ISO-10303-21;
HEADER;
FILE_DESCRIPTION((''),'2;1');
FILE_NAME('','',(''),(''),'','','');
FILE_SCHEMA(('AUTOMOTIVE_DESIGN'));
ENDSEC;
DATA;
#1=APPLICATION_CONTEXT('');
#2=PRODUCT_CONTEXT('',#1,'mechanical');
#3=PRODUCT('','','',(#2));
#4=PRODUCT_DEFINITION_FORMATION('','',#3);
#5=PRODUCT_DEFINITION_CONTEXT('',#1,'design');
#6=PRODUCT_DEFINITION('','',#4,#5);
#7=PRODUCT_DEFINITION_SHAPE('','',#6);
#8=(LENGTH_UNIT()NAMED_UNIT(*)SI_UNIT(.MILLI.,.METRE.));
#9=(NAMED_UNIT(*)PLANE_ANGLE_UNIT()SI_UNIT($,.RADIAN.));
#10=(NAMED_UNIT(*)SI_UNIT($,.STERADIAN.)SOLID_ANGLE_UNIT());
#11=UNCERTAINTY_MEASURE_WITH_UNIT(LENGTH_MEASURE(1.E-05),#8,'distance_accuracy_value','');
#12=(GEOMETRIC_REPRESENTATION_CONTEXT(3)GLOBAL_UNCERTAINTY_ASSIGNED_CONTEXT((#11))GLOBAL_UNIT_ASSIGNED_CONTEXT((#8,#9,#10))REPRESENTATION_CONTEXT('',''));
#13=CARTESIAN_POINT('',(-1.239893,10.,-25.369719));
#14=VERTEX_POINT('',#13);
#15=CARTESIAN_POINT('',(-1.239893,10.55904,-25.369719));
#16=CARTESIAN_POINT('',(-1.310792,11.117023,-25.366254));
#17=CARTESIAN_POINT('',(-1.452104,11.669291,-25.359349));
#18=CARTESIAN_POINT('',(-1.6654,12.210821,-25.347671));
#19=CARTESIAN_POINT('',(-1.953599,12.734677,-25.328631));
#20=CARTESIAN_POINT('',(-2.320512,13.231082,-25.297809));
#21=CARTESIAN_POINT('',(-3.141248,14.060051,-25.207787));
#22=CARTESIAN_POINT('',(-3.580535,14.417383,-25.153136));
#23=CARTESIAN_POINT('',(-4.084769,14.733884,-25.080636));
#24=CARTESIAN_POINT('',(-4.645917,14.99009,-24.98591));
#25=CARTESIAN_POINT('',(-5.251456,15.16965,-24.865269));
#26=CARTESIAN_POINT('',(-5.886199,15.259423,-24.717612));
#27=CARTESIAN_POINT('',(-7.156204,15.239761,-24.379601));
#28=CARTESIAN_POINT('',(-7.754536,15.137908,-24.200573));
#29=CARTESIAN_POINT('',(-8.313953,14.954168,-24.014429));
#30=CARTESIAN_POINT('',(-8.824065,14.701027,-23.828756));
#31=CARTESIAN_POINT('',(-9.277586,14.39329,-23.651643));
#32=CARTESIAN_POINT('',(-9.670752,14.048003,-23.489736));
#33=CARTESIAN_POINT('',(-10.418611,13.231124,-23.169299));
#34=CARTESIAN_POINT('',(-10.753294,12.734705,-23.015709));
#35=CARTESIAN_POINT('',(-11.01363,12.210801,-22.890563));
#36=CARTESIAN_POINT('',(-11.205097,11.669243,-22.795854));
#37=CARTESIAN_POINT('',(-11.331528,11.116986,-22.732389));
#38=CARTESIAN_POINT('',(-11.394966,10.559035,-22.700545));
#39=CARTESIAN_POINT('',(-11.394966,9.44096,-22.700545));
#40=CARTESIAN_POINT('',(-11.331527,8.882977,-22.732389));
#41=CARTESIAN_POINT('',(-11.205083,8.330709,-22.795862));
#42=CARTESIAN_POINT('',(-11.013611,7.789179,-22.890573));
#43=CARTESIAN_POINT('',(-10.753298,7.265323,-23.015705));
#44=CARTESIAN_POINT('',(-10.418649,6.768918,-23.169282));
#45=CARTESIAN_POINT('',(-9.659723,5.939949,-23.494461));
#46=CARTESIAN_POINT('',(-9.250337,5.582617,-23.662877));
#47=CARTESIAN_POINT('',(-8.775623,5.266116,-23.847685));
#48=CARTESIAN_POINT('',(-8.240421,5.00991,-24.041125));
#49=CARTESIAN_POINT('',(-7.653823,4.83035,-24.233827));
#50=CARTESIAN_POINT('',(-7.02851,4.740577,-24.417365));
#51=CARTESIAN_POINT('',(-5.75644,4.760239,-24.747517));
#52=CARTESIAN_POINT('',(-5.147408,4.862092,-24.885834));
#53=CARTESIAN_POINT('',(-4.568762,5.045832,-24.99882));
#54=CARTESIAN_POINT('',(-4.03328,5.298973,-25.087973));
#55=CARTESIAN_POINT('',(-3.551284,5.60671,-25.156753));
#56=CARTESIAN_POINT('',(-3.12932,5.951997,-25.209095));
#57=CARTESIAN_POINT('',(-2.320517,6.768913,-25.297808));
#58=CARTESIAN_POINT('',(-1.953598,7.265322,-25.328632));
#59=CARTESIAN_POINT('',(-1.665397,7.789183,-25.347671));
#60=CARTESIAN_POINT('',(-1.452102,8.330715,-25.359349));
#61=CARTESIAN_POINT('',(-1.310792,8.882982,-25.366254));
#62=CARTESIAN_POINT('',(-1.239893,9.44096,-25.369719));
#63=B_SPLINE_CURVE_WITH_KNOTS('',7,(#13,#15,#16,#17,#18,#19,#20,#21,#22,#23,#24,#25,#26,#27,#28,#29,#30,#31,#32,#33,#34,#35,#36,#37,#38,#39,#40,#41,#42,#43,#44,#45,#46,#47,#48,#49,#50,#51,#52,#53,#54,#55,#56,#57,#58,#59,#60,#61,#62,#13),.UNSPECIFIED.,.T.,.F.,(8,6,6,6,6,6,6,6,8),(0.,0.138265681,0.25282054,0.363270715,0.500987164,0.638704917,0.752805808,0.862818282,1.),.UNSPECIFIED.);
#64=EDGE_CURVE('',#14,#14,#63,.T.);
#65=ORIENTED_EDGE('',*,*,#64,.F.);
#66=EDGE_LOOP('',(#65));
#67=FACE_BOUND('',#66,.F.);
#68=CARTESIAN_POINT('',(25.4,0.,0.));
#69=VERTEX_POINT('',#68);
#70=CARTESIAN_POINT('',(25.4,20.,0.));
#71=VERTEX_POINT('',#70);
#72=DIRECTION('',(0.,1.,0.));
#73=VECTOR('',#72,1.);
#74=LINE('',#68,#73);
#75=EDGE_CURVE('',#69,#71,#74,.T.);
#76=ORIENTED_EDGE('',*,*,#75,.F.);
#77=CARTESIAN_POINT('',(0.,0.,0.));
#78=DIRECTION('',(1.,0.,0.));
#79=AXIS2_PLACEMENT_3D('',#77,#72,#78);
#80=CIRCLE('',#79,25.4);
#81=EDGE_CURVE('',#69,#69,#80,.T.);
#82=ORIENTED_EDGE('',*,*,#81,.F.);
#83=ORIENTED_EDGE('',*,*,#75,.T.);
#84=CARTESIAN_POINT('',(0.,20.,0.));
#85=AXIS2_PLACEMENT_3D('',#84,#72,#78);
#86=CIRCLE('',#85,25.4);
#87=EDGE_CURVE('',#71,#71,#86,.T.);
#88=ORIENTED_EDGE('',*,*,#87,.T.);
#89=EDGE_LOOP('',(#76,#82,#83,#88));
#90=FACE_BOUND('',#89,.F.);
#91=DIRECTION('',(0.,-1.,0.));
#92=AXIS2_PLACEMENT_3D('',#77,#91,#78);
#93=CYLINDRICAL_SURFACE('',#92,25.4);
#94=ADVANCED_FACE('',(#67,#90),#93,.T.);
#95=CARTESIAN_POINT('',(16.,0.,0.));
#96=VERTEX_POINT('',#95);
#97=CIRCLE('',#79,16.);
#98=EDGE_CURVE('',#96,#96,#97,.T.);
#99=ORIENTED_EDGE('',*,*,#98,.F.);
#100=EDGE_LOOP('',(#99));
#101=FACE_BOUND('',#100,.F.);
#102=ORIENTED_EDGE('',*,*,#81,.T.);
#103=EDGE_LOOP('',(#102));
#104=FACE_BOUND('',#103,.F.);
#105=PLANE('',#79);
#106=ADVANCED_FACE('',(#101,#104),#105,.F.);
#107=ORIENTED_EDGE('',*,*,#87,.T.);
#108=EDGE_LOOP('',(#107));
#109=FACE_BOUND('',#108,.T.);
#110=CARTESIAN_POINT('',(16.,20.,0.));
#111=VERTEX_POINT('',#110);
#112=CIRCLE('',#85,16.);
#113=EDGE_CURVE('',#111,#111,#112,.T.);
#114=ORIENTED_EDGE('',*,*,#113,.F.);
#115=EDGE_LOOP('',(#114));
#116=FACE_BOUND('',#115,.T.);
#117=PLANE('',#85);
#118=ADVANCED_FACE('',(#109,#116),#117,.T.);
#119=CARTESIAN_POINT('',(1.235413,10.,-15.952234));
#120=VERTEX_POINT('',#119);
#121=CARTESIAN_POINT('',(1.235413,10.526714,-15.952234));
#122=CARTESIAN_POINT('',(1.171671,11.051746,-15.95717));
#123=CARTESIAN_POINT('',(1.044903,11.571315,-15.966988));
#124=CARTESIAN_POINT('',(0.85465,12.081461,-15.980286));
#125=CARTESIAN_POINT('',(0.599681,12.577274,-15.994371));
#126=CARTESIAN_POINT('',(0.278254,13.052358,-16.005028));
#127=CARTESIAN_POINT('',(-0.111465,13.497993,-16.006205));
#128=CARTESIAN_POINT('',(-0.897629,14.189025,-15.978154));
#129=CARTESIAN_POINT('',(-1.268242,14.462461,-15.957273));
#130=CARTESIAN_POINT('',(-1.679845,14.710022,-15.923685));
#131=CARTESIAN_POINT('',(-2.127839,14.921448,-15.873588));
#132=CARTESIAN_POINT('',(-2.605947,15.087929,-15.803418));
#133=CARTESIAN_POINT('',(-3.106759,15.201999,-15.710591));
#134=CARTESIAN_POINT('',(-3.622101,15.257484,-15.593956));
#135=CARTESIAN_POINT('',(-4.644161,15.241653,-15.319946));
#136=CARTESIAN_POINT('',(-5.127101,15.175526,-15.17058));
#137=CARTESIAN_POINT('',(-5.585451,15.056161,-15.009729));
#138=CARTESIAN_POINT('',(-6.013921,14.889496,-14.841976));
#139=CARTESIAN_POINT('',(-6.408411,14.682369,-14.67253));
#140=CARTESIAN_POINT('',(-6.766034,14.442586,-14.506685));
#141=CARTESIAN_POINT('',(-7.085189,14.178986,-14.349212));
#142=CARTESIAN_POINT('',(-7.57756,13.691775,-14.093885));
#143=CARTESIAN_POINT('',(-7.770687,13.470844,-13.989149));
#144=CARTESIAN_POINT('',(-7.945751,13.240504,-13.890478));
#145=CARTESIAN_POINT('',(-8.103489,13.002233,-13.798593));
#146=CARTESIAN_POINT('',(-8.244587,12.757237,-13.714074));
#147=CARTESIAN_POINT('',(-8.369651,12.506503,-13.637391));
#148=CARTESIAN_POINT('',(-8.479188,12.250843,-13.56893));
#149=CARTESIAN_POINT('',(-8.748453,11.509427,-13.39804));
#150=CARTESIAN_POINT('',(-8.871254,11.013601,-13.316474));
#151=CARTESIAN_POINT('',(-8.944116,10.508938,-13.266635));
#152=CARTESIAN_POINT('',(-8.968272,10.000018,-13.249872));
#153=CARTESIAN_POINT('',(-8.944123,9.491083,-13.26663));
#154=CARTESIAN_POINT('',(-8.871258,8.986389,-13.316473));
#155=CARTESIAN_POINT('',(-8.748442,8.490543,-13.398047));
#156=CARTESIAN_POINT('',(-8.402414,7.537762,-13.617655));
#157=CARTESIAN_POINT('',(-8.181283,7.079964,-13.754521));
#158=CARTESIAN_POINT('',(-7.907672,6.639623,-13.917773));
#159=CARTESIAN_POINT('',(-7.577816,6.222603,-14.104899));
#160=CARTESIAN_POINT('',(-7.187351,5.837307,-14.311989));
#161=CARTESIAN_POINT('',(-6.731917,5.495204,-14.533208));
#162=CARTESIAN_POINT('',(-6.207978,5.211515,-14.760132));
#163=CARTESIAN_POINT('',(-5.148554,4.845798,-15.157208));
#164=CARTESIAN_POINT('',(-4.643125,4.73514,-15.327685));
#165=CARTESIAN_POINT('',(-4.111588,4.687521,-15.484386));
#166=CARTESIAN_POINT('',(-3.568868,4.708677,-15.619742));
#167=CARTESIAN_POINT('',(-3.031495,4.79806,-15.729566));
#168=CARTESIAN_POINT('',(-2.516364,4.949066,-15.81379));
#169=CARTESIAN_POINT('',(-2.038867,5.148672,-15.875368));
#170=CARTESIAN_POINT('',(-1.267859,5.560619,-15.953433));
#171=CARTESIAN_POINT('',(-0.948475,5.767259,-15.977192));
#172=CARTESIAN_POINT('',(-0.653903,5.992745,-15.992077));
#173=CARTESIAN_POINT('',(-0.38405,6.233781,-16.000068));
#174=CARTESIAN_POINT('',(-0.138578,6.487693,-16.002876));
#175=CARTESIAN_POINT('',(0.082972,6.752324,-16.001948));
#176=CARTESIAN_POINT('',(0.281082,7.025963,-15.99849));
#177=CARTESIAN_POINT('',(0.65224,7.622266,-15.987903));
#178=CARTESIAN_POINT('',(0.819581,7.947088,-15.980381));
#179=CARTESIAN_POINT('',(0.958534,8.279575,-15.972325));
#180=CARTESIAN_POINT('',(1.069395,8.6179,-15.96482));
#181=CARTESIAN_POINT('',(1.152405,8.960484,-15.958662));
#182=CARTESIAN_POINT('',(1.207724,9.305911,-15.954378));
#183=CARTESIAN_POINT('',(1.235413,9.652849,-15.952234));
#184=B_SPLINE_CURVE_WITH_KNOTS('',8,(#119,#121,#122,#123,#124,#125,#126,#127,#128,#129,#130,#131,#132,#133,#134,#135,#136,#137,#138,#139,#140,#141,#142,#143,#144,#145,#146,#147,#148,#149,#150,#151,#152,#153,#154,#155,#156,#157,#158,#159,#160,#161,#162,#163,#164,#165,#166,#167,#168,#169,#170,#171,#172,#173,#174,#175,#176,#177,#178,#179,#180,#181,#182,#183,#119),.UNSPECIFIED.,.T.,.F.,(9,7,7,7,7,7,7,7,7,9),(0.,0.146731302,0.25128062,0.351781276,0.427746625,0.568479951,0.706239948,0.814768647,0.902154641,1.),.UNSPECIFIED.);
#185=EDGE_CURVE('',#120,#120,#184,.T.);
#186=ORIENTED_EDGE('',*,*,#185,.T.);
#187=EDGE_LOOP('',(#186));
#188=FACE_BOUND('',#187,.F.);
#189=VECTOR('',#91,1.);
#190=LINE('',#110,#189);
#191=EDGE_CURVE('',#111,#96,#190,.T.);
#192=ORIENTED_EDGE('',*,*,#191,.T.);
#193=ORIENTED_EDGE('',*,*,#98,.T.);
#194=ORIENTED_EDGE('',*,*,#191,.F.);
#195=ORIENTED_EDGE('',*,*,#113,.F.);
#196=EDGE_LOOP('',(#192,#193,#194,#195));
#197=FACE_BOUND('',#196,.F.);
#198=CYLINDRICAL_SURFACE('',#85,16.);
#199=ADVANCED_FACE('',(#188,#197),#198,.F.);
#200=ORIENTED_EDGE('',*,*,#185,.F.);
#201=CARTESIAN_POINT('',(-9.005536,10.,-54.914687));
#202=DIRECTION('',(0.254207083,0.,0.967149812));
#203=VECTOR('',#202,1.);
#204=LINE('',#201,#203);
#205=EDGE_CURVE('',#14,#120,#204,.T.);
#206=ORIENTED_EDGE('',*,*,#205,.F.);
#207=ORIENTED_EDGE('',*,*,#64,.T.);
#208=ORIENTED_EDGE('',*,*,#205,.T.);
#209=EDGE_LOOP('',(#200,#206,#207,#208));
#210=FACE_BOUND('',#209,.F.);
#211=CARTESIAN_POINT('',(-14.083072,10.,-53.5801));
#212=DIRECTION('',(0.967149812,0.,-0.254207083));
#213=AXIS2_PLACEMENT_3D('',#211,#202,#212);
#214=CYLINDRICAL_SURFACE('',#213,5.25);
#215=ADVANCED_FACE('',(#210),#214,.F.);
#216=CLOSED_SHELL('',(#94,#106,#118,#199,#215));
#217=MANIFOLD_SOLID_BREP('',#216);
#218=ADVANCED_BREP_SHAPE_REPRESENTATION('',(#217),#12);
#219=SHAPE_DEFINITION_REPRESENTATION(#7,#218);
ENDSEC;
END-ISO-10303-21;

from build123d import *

# Parameters (mm, degrees)
SKETCH1_R                        = 25.4
BOSS_EXTRUDE1_DEPTH              = 20
SKETCH2_R                        = 16
CUT_EXTRUDE1_DEPTH               = 21
F_10_5_10_5_DIAMETER_HOLE1_D     = 10.5
F_10_5_10_5_DIAMETER_HOLE1_DEPTH = 30
F_10_5_10_5_DIAMETER_HOLE1_TIP   = 3.15451825


with BuildPart() as part:
    # Sketch1 → Boss-Extrude1 (new body)
    with BuildSketch(Plane(origin=(0, 0, 0), x_dir=(1, 0, 0), z_dir=(0, 1, 0))):
        Circle(SKETCH1_R)
    extrude(amount=BOSS_EXTRUDE1_DEPTH)

    # Sketch2 → Cut-Extrude1 (cut, through all)
    with BuildSketch(Plane(origin=(0, 20, 0), x_dir=(1, 0, 0), z_dir=(0, 1, 0))):
        Circle(SKETCH2_R)
    extrude(amount=-CUT_EXTRUDE1_DEPTH, mode=Mode.SUBTRACT)

    # Ø10.5 (10.5) Diameter Hole1
    with Locations(Plane(origin=(-6.456859903, 10, -24.565605228), x_dir=(-0.967149812, 0, 0.254207083), z_dir=(-0.254207083, 0, -0.967149812))):
        with Locations((0, 0)):
            Hole(F_10_5_10_5_DIAMETER_HOLE1_D / 2, depth=F_10_5_10_5_DIAMETER_HOLE1_DEPTH)
            with Locations((0, 0, -(F_10_5_10_5_DIAMETER_HOLE1_DEPTH + F_10_5_10_5_DIAMETER_HOLE1_TIP / 2))):  # 118° drill point
                Cone(0, F_10_5_10_5_DIAMETER_HOLE1_D / 2, F_10_5_10_5_DIAMETER_HOLE1_TIP, mode=Mode.SUBTRACT)


solid = part.part
